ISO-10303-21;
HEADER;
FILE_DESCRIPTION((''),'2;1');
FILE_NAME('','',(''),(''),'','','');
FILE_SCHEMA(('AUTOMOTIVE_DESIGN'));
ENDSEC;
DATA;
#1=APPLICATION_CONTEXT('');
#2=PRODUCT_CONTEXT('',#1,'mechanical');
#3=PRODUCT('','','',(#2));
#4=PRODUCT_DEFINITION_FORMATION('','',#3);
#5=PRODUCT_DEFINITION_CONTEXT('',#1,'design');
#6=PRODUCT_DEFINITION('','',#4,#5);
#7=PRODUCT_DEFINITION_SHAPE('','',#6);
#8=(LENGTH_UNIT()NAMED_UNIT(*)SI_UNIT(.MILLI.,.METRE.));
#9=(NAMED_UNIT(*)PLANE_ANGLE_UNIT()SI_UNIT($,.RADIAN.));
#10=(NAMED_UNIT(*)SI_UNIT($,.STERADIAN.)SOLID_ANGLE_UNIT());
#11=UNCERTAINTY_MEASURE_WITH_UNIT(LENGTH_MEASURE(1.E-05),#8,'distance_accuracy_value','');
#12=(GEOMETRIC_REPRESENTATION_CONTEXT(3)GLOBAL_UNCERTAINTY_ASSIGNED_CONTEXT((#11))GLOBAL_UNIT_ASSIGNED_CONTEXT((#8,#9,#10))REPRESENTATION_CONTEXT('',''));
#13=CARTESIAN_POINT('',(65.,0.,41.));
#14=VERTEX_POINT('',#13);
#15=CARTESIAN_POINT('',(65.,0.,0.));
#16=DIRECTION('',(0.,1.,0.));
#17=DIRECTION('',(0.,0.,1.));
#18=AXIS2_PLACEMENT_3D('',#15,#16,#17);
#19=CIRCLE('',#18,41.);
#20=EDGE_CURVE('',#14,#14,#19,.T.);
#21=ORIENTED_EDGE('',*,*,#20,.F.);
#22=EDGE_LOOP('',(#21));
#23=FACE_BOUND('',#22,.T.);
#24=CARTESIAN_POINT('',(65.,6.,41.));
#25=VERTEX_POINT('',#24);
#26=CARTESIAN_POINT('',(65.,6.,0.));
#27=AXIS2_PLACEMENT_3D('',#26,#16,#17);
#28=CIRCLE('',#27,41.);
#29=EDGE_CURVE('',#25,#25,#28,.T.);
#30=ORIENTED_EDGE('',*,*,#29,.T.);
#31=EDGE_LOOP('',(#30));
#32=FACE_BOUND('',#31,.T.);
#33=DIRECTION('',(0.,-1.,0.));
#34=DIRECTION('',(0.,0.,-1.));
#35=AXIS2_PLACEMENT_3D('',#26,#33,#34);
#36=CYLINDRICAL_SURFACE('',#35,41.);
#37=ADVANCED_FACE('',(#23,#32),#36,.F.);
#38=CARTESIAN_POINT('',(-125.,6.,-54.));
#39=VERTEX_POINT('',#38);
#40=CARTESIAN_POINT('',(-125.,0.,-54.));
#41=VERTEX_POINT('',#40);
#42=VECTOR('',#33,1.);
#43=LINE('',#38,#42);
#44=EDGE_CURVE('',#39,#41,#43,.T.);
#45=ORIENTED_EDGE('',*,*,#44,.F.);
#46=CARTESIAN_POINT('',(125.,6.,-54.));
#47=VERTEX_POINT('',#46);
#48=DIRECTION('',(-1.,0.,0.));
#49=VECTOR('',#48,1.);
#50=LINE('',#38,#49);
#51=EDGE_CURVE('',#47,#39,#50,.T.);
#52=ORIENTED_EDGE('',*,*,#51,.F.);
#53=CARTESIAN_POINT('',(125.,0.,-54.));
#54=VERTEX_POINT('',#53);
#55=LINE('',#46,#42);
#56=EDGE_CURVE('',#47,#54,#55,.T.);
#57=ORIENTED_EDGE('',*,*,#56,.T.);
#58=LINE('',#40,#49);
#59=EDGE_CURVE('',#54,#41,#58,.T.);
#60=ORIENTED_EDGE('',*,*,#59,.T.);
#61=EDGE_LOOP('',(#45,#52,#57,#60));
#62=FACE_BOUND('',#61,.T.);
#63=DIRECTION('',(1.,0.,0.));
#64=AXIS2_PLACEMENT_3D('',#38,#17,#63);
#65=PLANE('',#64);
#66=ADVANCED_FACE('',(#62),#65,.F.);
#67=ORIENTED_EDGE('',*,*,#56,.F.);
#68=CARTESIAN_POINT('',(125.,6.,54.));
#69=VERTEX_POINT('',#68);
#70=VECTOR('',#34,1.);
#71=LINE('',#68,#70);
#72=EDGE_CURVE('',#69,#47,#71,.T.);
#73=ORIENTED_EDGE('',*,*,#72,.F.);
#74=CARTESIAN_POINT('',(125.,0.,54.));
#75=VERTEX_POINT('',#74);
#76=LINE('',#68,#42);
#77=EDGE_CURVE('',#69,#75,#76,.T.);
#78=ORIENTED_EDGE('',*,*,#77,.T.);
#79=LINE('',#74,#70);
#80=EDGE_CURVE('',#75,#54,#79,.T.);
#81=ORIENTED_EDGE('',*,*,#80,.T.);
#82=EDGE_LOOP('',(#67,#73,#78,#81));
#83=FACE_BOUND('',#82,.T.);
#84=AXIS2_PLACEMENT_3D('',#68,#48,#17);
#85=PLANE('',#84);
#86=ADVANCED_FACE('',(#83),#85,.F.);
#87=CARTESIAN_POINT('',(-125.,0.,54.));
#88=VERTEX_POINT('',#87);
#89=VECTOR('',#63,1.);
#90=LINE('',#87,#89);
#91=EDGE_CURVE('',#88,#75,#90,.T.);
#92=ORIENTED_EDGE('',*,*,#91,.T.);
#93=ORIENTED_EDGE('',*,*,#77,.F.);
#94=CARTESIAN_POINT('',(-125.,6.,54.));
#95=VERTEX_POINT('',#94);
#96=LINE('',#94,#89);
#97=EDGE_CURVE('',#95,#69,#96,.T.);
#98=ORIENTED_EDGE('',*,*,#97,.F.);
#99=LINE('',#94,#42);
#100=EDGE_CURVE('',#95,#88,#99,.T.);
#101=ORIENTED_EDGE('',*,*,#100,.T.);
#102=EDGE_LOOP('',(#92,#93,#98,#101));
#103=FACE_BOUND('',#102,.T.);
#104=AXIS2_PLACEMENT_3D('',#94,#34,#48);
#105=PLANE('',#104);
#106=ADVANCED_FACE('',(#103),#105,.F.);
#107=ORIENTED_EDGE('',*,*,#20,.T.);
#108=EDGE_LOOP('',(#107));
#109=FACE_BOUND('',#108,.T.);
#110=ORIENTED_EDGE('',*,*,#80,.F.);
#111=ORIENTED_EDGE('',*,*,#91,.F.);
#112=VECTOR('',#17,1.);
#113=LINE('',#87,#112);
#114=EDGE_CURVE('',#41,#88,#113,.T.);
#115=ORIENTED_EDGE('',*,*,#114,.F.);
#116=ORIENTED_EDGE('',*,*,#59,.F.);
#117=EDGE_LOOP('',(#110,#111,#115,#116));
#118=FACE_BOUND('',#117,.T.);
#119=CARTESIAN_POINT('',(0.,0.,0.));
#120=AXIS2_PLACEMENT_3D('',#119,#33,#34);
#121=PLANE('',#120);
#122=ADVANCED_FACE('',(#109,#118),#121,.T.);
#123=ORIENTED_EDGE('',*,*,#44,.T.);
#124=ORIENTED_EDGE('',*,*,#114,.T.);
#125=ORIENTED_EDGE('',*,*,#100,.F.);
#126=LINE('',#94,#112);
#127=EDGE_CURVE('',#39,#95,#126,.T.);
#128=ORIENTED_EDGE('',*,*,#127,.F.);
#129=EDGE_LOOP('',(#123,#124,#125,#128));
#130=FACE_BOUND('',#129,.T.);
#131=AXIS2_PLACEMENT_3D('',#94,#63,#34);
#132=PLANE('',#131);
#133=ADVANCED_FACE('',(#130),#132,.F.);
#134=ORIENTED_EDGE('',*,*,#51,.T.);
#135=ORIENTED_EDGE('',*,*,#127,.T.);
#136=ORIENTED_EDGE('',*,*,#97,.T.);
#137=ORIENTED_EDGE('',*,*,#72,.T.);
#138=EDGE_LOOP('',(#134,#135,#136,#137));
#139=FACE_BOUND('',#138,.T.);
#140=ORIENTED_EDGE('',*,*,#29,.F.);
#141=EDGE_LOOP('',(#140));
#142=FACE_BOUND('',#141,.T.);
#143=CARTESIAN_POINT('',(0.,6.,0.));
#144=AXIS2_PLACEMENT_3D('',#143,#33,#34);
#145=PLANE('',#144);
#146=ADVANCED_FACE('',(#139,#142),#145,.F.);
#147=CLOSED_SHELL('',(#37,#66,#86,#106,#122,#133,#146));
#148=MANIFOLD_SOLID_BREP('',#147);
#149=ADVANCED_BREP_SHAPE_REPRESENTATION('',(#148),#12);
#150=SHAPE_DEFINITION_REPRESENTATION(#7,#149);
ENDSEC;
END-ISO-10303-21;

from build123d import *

# Parameters (mm, degrees)
SKETCH_1_W      = 250
SKETCH_1_H      = 108
SKETCH_1_R      = 41
EXTRUDE_1_DEPTH = 6


with BuildPart() as part:
    # Эскиз1 → Бобышка-Вытянуть1 (new body)
    with BuildSketch(Plane(origin=(0, 0, 0), x_dir=(1, 0, 0), z_dir=(0, 1, 0))):
        Rectangle(SKETCH_1_W, SKETCH_1_H)
        with Locations(Location((65, 0, 0), (0, 0, 270))):
            Circle(SKETCH_1_R, mode=Mode.SUBTRACT)
    extrude(amount=EXTRUDE_1_DEPTH)


solid = part.part
